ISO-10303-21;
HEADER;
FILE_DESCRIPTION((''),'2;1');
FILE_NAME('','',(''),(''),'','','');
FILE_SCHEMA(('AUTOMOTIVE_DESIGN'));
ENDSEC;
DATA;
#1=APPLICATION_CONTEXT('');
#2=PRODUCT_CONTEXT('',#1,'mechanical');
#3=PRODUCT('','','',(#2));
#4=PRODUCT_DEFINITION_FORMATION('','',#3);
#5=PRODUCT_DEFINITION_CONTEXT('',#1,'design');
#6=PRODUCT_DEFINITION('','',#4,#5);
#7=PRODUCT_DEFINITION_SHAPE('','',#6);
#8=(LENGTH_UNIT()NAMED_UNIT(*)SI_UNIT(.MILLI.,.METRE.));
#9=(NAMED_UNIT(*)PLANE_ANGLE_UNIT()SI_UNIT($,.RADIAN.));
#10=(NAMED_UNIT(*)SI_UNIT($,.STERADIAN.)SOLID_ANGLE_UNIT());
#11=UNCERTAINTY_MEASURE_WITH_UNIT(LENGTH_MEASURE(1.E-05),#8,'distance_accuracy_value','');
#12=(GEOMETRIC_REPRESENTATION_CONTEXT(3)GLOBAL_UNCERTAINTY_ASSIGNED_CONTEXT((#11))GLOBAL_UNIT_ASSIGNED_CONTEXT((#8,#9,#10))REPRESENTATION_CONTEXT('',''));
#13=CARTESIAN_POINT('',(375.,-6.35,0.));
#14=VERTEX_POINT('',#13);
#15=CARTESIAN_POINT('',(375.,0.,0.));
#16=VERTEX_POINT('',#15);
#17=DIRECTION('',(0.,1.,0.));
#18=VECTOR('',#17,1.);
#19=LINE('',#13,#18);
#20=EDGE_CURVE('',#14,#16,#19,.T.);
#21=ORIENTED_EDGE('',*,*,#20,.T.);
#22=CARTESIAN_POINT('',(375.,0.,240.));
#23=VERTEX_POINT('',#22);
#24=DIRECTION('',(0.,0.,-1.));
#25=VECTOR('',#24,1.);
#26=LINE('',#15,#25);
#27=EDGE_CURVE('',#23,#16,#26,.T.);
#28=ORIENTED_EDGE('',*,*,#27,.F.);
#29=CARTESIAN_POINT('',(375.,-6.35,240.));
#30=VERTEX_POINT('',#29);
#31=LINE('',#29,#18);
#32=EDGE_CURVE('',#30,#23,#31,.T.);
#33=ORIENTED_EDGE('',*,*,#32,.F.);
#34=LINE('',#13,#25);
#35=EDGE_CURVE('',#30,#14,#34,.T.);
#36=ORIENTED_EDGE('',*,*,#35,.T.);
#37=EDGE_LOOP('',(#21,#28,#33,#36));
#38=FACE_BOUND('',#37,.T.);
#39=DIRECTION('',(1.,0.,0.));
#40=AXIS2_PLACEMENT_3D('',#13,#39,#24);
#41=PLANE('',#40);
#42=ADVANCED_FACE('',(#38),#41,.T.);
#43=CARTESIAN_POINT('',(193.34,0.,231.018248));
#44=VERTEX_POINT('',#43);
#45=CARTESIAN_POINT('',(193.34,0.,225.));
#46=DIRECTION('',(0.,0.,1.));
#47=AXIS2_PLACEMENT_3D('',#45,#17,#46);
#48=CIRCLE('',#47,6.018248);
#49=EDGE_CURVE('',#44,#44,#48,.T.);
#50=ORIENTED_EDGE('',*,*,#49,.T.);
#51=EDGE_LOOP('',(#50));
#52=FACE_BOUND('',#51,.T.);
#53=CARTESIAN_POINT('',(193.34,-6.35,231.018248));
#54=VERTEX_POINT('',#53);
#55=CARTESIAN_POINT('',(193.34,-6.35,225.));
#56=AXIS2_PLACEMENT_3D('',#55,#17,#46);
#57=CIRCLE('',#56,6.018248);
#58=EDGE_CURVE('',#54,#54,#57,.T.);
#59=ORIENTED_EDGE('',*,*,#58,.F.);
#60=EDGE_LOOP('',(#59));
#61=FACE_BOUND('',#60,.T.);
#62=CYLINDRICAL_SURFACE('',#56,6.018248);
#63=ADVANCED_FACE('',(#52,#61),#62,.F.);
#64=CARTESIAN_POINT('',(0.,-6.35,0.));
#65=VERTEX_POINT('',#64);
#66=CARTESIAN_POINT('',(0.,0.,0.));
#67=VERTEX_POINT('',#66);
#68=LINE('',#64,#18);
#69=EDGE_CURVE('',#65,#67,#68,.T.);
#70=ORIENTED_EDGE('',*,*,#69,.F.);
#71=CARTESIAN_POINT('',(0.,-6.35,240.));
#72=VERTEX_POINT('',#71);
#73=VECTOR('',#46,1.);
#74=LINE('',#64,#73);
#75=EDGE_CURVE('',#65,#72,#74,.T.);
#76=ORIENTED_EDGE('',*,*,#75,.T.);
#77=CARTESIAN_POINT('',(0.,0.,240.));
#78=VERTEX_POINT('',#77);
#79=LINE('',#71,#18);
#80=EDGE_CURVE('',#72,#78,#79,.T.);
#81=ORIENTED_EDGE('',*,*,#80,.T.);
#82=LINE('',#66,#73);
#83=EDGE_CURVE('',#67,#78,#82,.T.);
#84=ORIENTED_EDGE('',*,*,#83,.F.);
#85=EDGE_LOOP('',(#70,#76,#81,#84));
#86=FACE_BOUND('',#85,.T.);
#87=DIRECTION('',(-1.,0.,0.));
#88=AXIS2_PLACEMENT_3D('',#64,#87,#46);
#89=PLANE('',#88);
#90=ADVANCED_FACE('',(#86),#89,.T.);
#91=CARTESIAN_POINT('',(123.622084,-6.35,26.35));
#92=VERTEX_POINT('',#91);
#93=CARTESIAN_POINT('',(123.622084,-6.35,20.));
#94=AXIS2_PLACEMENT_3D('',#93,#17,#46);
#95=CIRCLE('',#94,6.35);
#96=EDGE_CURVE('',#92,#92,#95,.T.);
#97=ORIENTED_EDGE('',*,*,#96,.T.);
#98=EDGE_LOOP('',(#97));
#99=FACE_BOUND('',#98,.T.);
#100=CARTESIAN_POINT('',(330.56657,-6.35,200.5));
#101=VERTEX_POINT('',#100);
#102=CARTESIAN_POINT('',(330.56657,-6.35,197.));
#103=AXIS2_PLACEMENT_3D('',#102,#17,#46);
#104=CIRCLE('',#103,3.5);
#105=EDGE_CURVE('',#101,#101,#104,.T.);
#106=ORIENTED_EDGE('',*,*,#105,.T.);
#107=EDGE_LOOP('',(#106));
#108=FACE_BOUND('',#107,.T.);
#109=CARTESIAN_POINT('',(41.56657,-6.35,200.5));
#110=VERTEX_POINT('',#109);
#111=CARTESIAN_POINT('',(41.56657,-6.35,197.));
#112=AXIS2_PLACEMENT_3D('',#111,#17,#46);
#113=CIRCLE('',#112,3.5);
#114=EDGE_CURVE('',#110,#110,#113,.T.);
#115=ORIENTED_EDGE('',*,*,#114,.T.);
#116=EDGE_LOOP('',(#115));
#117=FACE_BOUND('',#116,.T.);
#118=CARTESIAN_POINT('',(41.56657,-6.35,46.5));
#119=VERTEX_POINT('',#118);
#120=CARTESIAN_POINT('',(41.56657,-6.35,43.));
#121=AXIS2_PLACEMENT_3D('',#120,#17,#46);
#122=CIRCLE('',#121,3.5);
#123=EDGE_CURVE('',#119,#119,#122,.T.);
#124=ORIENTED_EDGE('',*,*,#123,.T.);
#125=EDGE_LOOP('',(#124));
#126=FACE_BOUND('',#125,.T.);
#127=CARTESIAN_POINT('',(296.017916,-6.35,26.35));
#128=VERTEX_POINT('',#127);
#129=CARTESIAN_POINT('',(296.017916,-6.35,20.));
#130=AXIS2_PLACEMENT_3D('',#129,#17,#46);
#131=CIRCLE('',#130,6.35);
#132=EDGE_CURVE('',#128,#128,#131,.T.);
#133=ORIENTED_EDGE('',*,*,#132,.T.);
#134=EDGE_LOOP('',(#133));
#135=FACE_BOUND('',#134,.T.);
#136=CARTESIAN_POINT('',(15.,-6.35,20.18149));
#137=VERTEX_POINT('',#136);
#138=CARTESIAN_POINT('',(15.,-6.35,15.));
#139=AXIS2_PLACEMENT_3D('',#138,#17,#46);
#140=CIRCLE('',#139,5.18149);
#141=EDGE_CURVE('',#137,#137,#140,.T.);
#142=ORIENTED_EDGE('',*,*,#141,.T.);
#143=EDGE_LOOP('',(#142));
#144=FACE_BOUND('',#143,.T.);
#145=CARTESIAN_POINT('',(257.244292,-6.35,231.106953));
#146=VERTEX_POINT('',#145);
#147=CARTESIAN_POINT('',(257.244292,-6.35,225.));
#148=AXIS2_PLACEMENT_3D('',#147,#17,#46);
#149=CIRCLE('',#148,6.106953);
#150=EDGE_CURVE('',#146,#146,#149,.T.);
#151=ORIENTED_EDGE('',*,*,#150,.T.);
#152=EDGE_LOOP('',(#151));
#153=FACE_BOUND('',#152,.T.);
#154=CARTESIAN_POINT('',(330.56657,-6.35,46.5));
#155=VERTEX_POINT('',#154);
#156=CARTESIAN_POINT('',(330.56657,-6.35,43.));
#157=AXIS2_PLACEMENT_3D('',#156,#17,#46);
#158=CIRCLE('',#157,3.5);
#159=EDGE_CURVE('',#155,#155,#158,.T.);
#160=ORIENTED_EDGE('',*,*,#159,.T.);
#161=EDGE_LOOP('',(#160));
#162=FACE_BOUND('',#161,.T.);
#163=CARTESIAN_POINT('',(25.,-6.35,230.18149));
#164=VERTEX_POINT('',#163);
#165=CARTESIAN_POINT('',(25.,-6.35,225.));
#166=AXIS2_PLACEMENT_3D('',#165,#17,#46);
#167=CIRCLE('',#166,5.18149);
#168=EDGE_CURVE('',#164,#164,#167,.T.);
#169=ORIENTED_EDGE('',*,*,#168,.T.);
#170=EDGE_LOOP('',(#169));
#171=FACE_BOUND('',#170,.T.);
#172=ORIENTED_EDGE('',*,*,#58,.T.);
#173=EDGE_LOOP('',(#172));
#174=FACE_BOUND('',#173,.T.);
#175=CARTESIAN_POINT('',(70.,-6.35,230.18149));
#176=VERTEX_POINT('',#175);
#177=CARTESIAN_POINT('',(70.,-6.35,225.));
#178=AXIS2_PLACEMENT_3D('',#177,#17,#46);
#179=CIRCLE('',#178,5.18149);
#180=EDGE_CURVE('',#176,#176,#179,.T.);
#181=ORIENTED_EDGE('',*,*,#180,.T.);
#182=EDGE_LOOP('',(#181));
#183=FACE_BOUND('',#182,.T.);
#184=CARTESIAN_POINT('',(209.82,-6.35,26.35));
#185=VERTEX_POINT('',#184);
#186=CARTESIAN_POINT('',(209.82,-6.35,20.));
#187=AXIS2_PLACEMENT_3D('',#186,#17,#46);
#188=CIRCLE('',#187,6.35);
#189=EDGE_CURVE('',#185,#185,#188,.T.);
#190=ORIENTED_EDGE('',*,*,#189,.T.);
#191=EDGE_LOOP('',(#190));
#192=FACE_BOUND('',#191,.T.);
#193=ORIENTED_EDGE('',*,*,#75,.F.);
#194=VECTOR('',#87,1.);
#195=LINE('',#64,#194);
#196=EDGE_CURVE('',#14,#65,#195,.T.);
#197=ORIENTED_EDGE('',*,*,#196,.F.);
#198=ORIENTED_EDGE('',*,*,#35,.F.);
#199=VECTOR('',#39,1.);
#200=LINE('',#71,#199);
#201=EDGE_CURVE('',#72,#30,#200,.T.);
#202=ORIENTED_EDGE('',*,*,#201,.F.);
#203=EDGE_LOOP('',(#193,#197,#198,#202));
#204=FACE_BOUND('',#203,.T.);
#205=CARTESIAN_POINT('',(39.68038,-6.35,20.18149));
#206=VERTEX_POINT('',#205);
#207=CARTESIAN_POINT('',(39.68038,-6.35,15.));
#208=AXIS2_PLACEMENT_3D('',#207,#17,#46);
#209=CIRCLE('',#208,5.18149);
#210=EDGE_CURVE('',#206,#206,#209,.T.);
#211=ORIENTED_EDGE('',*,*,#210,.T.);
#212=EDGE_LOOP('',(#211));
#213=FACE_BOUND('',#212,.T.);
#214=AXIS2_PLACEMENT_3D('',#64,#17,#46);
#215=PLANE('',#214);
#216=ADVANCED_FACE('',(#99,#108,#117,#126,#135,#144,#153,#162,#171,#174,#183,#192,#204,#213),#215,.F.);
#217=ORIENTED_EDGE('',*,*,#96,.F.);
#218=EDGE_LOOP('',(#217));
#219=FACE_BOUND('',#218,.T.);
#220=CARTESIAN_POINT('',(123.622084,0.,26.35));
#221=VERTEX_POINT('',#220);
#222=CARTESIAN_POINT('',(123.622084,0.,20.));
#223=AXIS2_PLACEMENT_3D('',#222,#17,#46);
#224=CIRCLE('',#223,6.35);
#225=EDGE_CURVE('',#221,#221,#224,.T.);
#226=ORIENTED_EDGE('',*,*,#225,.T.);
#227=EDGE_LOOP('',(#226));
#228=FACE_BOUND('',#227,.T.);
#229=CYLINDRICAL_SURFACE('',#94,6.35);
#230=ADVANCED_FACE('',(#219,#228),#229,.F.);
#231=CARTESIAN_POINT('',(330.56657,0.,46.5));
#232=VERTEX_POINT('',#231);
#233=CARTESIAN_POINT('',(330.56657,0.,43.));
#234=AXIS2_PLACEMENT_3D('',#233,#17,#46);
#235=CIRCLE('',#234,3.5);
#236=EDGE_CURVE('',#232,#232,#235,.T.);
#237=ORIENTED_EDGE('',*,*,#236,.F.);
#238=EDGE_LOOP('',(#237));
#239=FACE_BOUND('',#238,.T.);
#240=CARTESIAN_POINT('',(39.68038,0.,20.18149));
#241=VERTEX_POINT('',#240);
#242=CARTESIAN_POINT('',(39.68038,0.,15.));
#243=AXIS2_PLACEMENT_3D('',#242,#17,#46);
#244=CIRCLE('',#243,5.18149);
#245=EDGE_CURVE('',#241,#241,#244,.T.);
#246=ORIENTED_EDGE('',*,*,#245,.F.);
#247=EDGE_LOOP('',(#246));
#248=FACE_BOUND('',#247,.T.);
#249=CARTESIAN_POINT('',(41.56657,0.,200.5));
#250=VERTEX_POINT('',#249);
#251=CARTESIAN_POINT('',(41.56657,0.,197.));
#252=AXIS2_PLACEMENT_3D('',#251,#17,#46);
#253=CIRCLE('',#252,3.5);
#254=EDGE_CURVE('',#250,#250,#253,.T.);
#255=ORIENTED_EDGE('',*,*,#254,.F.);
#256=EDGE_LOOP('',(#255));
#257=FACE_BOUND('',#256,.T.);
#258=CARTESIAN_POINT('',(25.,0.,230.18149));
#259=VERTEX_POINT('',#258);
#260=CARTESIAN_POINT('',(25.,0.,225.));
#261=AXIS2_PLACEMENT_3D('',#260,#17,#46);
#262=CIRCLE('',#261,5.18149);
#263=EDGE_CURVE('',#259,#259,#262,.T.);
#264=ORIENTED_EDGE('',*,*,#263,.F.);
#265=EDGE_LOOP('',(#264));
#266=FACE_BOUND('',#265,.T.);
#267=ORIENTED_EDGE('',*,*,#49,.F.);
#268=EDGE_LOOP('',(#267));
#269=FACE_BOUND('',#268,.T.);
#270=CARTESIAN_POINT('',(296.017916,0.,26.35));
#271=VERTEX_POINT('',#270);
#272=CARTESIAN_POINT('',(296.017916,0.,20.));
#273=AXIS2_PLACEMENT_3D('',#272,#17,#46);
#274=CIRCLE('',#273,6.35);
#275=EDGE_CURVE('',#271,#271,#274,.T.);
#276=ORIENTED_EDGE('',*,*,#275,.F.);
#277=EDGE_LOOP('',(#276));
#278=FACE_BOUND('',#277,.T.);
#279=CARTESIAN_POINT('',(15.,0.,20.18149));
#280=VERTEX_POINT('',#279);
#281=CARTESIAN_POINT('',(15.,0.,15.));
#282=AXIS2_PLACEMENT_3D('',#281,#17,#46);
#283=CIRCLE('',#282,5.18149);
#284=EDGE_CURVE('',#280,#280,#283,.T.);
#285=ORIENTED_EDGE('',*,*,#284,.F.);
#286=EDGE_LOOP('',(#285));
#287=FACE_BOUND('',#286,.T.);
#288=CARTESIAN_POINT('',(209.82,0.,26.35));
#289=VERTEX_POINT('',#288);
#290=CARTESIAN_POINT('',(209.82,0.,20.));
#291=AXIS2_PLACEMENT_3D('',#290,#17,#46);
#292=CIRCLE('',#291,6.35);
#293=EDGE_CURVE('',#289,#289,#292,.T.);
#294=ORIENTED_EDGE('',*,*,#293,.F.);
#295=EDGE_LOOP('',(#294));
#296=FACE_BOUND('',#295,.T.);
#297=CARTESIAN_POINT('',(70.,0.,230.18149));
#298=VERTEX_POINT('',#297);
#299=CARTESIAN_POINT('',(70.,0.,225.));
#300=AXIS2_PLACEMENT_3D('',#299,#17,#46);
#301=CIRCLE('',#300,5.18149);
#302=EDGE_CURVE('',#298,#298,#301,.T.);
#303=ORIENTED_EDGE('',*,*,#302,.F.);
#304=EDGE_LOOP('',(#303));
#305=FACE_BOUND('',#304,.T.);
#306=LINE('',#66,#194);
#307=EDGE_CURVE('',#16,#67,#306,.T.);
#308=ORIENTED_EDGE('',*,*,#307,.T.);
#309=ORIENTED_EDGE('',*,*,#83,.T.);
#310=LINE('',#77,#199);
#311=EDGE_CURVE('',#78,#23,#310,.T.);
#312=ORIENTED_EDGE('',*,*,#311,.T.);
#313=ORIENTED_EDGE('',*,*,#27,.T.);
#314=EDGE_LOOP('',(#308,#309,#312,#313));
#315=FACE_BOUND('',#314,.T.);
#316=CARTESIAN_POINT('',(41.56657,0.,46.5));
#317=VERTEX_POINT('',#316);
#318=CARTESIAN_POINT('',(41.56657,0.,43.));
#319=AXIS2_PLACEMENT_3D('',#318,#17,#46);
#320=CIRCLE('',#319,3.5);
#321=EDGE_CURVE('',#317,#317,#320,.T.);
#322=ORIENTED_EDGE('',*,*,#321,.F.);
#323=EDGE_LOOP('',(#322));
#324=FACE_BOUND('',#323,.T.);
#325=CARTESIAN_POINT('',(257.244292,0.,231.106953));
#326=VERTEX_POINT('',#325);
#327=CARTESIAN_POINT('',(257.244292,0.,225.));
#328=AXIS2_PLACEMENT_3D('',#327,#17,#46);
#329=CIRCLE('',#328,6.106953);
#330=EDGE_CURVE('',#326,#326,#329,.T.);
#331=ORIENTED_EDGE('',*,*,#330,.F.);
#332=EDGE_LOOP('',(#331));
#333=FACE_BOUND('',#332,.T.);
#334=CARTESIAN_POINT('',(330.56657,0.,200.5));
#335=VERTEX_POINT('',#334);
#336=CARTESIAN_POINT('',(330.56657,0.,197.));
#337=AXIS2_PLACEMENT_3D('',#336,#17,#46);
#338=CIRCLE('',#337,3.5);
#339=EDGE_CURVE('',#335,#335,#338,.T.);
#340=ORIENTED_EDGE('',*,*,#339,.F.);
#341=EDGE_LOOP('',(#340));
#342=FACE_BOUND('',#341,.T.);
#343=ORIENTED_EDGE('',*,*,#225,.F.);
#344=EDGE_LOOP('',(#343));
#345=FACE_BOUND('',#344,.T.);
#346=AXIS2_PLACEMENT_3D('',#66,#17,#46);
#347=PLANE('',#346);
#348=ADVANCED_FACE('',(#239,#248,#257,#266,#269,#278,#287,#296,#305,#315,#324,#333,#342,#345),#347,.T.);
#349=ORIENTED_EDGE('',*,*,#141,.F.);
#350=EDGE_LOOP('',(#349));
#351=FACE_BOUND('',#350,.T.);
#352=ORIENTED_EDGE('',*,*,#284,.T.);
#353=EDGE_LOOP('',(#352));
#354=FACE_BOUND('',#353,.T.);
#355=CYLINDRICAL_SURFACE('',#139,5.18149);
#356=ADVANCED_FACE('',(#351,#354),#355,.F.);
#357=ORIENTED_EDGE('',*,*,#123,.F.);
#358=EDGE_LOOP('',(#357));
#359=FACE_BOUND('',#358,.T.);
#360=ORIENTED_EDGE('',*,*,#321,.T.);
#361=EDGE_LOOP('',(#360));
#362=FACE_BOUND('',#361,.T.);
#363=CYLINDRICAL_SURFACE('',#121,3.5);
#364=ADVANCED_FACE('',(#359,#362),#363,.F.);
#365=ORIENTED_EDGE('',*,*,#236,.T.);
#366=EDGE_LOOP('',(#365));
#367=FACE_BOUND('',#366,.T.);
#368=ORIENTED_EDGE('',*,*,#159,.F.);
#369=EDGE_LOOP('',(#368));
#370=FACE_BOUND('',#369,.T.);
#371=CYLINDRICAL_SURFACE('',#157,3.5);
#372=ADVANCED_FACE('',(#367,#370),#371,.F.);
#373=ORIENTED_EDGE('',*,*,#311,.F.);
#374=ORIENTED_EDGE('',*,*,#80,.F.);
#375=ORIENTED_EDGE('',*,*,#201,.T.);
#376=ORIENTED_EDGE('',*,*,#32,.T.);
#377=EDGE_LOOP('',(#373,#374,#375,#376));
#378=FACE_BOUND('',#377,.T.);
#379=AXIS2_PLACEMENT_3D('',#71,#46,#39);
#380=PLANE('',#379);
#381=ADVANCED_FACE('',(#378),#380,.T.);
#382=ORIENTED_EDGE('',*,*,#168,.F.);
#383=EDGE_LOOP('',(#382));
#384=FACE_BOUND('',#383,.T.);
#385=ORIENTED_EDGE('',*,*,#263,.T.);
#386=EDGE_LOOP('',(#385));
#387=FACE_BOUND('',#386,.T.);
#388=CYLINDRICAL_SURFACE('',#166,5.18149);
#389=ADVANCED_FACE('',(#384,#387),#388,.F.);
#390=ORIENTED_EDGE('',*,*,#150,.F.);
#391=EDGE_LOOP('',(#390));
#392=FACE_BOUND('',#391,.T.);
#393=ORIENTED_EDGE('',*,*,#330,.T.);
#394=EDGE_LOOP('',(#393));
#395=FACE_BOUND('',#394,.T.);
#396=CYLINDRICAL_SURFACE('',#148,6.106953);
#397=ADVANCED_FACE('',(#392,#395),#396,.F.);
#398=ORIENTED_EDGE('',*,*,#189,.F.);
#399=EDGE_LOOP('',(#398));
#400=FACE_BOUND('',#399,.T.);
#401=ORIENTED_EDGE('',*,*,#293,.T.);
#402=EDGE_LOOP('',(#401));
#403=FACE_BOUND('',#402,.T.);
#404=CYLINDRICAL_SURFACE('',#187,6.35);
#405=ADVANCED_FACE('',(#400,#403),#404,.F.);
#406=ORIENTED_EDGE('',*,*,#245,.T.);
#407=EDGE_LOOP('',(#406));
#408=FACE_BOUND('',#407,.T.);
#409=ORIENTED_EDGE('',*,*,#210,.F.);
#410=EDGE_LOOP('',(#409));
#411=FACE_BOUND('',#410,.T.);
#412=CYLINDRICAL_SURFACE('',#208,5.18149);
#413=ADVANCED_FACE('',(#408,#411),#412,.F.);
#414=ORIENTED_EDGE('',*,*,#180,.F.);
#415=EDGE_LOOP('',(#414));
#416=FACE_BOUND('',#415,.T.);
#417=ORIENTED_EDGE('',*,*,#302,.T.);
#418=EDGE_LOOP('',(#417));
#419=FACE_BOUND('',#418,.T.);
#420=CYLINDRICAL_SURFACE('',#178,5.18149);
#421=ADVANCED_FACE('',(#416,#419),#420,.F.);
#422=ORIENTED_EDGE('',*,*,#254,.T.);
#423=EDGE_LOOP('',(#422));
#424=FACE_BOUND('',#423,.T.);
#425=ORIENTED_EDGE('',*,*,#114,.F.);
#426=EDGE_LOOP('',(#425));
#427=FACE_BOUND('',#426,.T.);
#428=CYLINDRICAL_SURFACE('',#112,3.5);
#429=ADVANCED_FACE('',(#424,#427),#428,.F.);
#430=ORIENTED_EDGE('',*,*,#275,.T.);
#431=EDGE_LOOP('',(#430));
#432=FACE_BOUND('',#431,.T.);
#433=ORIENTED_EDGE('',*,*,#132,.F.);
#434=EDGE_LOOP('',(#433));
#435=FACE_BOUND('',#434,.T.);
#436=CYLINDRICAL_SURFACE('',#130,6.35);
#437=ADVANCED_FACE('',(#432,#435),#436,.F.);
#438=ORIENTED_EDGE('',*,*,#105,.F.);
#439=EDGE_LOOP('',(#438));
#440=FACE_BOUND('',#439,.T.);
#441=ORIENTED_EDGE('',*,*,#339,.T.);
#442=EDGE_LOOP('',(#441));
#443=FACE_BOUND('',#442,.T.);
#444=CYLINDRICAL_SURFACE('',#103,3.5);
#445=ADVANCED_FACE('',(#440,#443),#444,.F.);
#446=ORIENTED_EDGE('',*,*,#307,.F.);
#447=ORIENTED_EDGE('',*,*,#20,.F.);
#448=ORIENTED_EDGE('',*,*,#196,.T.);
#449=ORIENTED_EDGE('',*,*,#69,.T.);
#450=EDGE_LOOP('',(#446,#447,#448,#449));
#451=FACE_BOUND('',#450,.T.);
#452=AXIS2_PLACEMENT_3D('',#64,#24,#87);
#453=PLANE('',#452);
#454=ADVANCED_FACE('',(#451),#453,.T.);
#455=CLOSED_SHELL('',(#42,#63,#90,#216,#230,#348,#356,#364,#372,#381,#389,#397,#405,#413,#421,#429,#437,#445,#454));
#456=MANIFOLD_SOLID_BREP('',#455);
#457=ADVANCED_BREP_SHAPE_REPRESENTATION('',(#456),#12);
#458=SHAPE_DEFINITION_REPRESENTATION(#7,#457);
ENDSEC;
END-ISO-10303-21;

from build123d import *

# Parameters (mm, degrees)
SKETCH1_W           = 375
SKETCH1_H           = 240
SKETCH1_R           = 5.181490122
SKETCH1_R_2         = 6.018247546
SKETCH1_R_3         = 6.106953205
SKETCH1_R_4         = 3.5
SKETCH1_R_5         = 6.35
BOSS_EXTRUDE1_DEPTH = 6.35


with BuildPart() as part:
    # Sketch1 → Boss-Extrude1 (new body)
    with BuildSketch(Plane(origin=(0, 0, 0), x_dir=(1, 0, 0), z_dir=(0, 1, 0))):
        with Locations((187.5, -120)):
            Rectangle(SKETCH1_W, SKETCH1_H)
        with Locations(Location((15, -15, 0), (0, 0, 270))):
            Circle(SKETCH1_R, mode=Mode.SUBTRACT)
        with Locations(Location((39.680379951, -15, 0), (0, 0, 270))):
            Circle(SKETCH1_R, mode=Mode.SUBTRACT)
        with Locations(Location((25, -225, 0), (0, 0, 270))):
            Circle(SKETCH1_R, mode=Mode.SUBTRACT)
        with Locations(Location((70, -225, 0), (0, 0, 270))):
            Circle(SKETCH1_R, mode=Mode.SUBTRACT)
        with Locations(Location((193.34, -225, 0), (0, 0, 270))):
            Circle(SKETCH1_R_2, mode=Mode.SUBTRACT)
        with Locations(Location((257.244291662, -225, 0), (0, 0, 270))):
            Circle(SKETCH1_R_3, mode=Mode.SUBTRACT)
        with Locations(Location((41.566569972, -43, 0), (0, 0, 270))):
            Circle(SKETCH1_R_4, mode=Mode.SUBTRACT)
        with Locations(Location((41.566569972, -197, 0), (0, 0, 270))):
            Circle(SKETCH1_R_4, mode=Mode.SUBTRACT)
        with Locations(Location((330.566569972, -197, 0), (0, 0, 270))):
            Circle(SKETCH1_R_4, mode=Mode.SUBTRACT)
        with Locations(Location((330.566569972, -43, 0), (0, 0, 270))):
            Circle(SKETCH1_R_4, mode=Mode.SUBTRACT)
        with Locations(Location((209.82, -20, 0), (0, 0, 270))):
            Circle(SKETCH1_R_5, mode=Mode.SUBTRACT)
        with Locations(Location((123.622084245, -20, 0), (0, 0, 270))):
            Circle(SKETCH1_R_5, mode=Mode.SUBTRACT)
        with Locations(Location((296.017915755, -20, 0), (0, 0, 270))):
            Circle(SKETCH1_R_5, mode=Mode.SUBTRACT)
    extrude(amount=-BOSS_EXTRUDE1_DEPTH)


solid = part.part
